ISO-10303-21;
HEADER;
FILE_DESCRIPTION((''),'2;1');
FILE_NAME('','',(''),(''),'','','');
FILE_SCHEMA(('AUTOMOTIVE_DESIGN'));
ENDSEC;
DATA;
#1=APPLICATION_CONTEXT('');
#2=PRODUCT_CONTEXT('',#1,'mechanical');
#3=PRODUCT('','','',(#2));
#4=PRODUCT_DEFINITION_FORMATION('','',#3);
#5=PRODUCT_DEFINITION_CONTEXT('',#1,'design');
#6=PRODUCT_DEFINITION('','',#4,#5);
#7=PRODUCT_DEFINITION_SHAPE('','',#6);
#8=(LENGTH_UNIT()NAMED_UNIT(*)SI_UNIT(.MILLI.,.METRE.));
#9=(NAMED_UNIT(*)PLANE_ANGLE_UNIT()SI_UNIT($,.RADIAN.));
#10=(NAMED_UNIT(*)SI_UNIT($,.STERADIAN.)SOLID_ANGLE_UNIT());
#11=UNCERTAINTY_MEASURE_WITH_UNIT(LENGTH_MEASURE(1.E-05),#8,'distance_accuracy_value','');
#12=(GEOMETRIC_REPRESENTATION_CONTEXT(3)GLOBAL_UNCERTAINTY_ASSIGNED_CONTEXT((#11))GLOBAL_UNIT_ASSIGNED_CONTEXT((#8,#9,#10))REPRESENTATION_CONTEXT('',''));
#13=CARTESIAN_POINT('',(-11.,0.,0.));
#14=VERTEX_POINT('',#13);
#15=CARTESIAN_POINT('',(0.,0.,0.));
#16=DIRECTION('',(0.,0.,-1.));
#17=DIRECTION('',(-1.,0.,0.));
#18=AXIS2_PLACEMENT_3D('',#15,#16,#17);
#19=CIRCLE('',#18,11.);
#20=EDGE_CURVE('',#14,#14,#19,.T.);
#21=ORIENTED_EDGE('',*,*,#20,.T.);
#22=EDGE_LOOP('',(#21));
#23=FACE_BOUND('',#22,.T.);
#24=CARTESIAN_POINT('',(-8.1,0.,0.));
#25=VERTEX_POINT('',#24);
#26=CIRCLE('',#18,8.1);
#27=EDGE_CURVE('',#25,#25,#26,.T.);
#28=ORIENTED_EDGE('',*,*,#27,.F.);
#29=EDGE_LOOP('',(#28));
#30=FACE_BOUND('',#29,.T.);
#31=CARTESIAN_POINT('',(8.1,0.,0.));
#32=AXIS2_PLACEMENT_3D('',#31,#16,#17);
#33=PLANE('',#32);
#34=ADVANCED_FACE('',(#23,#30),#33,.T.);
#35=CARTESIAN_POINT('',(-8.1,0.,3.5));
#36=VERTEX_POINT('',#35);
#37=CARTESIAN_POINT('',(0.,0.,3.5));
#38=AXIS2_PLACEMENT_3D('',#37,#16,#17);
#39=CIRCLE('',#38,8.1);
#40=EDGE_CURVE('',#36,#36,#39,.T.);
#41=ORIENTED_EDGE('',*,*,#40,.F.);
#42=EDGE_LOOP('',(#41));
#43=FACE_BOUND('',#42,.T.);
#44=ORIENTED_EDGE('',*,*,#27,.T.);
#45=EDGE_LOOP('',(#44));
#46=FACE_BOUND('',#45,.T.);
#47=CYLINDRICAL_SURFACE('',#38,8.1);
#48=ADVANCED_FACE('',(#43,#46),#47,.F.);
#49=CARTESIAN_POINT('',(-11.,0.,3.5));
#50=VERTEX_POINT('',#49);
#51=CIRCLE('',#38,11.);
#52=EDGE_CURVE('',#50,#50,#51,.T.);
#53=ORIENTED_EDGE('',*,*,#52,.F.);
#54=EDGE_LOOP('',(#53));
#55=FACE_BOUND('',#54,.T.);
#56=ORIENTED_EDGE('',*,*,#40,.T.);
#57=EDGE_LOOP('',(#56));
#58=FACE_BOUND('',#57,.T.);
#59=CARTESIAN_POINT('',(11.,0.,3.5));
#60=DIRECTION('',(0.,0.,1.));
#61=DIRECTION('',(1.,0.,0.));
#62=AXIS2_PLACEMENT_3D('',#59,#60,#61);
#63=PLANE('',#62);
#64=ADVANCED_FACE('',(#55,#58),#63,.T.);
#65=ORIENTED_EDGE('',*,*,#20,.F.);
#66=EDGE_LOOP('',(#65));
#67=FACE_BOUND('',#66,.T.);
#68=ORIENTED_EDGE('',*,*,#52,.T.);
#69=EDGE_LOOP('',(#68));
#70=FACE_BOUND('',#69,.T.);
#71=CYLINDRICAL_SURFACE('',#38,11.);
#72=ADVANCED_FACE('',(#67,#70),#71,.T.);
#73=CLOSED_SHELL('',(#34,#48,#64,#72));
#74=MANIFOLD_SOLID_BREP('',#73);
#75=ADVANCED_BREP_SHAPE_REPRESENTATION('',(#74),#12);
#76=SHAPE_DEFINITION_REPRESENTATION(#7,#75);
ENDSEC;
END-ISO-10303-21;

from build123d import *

# Parameters (mm, degrees)
SKETCH1_W = 2.9
SKETCH1_H = 3.5


with BuildPart() as part:
    # Sketch1 → Revolve1 (revolve)
    with BuildSketch(Plane.XZ, mode=Mode.PRIVATE) as revolve1_sk:
        with Locations((9.55, 1.75)):
            Rectangle(SKETCH1_W, SKETCH1_H)
    revolve(revolve1_sk.sketch.rotate(Axis((0, 0, 3.5), (0, 0, -1)), 180), axis=Axis((0, 0, 3.5), (0, 0, -1)))


solid = part.part
